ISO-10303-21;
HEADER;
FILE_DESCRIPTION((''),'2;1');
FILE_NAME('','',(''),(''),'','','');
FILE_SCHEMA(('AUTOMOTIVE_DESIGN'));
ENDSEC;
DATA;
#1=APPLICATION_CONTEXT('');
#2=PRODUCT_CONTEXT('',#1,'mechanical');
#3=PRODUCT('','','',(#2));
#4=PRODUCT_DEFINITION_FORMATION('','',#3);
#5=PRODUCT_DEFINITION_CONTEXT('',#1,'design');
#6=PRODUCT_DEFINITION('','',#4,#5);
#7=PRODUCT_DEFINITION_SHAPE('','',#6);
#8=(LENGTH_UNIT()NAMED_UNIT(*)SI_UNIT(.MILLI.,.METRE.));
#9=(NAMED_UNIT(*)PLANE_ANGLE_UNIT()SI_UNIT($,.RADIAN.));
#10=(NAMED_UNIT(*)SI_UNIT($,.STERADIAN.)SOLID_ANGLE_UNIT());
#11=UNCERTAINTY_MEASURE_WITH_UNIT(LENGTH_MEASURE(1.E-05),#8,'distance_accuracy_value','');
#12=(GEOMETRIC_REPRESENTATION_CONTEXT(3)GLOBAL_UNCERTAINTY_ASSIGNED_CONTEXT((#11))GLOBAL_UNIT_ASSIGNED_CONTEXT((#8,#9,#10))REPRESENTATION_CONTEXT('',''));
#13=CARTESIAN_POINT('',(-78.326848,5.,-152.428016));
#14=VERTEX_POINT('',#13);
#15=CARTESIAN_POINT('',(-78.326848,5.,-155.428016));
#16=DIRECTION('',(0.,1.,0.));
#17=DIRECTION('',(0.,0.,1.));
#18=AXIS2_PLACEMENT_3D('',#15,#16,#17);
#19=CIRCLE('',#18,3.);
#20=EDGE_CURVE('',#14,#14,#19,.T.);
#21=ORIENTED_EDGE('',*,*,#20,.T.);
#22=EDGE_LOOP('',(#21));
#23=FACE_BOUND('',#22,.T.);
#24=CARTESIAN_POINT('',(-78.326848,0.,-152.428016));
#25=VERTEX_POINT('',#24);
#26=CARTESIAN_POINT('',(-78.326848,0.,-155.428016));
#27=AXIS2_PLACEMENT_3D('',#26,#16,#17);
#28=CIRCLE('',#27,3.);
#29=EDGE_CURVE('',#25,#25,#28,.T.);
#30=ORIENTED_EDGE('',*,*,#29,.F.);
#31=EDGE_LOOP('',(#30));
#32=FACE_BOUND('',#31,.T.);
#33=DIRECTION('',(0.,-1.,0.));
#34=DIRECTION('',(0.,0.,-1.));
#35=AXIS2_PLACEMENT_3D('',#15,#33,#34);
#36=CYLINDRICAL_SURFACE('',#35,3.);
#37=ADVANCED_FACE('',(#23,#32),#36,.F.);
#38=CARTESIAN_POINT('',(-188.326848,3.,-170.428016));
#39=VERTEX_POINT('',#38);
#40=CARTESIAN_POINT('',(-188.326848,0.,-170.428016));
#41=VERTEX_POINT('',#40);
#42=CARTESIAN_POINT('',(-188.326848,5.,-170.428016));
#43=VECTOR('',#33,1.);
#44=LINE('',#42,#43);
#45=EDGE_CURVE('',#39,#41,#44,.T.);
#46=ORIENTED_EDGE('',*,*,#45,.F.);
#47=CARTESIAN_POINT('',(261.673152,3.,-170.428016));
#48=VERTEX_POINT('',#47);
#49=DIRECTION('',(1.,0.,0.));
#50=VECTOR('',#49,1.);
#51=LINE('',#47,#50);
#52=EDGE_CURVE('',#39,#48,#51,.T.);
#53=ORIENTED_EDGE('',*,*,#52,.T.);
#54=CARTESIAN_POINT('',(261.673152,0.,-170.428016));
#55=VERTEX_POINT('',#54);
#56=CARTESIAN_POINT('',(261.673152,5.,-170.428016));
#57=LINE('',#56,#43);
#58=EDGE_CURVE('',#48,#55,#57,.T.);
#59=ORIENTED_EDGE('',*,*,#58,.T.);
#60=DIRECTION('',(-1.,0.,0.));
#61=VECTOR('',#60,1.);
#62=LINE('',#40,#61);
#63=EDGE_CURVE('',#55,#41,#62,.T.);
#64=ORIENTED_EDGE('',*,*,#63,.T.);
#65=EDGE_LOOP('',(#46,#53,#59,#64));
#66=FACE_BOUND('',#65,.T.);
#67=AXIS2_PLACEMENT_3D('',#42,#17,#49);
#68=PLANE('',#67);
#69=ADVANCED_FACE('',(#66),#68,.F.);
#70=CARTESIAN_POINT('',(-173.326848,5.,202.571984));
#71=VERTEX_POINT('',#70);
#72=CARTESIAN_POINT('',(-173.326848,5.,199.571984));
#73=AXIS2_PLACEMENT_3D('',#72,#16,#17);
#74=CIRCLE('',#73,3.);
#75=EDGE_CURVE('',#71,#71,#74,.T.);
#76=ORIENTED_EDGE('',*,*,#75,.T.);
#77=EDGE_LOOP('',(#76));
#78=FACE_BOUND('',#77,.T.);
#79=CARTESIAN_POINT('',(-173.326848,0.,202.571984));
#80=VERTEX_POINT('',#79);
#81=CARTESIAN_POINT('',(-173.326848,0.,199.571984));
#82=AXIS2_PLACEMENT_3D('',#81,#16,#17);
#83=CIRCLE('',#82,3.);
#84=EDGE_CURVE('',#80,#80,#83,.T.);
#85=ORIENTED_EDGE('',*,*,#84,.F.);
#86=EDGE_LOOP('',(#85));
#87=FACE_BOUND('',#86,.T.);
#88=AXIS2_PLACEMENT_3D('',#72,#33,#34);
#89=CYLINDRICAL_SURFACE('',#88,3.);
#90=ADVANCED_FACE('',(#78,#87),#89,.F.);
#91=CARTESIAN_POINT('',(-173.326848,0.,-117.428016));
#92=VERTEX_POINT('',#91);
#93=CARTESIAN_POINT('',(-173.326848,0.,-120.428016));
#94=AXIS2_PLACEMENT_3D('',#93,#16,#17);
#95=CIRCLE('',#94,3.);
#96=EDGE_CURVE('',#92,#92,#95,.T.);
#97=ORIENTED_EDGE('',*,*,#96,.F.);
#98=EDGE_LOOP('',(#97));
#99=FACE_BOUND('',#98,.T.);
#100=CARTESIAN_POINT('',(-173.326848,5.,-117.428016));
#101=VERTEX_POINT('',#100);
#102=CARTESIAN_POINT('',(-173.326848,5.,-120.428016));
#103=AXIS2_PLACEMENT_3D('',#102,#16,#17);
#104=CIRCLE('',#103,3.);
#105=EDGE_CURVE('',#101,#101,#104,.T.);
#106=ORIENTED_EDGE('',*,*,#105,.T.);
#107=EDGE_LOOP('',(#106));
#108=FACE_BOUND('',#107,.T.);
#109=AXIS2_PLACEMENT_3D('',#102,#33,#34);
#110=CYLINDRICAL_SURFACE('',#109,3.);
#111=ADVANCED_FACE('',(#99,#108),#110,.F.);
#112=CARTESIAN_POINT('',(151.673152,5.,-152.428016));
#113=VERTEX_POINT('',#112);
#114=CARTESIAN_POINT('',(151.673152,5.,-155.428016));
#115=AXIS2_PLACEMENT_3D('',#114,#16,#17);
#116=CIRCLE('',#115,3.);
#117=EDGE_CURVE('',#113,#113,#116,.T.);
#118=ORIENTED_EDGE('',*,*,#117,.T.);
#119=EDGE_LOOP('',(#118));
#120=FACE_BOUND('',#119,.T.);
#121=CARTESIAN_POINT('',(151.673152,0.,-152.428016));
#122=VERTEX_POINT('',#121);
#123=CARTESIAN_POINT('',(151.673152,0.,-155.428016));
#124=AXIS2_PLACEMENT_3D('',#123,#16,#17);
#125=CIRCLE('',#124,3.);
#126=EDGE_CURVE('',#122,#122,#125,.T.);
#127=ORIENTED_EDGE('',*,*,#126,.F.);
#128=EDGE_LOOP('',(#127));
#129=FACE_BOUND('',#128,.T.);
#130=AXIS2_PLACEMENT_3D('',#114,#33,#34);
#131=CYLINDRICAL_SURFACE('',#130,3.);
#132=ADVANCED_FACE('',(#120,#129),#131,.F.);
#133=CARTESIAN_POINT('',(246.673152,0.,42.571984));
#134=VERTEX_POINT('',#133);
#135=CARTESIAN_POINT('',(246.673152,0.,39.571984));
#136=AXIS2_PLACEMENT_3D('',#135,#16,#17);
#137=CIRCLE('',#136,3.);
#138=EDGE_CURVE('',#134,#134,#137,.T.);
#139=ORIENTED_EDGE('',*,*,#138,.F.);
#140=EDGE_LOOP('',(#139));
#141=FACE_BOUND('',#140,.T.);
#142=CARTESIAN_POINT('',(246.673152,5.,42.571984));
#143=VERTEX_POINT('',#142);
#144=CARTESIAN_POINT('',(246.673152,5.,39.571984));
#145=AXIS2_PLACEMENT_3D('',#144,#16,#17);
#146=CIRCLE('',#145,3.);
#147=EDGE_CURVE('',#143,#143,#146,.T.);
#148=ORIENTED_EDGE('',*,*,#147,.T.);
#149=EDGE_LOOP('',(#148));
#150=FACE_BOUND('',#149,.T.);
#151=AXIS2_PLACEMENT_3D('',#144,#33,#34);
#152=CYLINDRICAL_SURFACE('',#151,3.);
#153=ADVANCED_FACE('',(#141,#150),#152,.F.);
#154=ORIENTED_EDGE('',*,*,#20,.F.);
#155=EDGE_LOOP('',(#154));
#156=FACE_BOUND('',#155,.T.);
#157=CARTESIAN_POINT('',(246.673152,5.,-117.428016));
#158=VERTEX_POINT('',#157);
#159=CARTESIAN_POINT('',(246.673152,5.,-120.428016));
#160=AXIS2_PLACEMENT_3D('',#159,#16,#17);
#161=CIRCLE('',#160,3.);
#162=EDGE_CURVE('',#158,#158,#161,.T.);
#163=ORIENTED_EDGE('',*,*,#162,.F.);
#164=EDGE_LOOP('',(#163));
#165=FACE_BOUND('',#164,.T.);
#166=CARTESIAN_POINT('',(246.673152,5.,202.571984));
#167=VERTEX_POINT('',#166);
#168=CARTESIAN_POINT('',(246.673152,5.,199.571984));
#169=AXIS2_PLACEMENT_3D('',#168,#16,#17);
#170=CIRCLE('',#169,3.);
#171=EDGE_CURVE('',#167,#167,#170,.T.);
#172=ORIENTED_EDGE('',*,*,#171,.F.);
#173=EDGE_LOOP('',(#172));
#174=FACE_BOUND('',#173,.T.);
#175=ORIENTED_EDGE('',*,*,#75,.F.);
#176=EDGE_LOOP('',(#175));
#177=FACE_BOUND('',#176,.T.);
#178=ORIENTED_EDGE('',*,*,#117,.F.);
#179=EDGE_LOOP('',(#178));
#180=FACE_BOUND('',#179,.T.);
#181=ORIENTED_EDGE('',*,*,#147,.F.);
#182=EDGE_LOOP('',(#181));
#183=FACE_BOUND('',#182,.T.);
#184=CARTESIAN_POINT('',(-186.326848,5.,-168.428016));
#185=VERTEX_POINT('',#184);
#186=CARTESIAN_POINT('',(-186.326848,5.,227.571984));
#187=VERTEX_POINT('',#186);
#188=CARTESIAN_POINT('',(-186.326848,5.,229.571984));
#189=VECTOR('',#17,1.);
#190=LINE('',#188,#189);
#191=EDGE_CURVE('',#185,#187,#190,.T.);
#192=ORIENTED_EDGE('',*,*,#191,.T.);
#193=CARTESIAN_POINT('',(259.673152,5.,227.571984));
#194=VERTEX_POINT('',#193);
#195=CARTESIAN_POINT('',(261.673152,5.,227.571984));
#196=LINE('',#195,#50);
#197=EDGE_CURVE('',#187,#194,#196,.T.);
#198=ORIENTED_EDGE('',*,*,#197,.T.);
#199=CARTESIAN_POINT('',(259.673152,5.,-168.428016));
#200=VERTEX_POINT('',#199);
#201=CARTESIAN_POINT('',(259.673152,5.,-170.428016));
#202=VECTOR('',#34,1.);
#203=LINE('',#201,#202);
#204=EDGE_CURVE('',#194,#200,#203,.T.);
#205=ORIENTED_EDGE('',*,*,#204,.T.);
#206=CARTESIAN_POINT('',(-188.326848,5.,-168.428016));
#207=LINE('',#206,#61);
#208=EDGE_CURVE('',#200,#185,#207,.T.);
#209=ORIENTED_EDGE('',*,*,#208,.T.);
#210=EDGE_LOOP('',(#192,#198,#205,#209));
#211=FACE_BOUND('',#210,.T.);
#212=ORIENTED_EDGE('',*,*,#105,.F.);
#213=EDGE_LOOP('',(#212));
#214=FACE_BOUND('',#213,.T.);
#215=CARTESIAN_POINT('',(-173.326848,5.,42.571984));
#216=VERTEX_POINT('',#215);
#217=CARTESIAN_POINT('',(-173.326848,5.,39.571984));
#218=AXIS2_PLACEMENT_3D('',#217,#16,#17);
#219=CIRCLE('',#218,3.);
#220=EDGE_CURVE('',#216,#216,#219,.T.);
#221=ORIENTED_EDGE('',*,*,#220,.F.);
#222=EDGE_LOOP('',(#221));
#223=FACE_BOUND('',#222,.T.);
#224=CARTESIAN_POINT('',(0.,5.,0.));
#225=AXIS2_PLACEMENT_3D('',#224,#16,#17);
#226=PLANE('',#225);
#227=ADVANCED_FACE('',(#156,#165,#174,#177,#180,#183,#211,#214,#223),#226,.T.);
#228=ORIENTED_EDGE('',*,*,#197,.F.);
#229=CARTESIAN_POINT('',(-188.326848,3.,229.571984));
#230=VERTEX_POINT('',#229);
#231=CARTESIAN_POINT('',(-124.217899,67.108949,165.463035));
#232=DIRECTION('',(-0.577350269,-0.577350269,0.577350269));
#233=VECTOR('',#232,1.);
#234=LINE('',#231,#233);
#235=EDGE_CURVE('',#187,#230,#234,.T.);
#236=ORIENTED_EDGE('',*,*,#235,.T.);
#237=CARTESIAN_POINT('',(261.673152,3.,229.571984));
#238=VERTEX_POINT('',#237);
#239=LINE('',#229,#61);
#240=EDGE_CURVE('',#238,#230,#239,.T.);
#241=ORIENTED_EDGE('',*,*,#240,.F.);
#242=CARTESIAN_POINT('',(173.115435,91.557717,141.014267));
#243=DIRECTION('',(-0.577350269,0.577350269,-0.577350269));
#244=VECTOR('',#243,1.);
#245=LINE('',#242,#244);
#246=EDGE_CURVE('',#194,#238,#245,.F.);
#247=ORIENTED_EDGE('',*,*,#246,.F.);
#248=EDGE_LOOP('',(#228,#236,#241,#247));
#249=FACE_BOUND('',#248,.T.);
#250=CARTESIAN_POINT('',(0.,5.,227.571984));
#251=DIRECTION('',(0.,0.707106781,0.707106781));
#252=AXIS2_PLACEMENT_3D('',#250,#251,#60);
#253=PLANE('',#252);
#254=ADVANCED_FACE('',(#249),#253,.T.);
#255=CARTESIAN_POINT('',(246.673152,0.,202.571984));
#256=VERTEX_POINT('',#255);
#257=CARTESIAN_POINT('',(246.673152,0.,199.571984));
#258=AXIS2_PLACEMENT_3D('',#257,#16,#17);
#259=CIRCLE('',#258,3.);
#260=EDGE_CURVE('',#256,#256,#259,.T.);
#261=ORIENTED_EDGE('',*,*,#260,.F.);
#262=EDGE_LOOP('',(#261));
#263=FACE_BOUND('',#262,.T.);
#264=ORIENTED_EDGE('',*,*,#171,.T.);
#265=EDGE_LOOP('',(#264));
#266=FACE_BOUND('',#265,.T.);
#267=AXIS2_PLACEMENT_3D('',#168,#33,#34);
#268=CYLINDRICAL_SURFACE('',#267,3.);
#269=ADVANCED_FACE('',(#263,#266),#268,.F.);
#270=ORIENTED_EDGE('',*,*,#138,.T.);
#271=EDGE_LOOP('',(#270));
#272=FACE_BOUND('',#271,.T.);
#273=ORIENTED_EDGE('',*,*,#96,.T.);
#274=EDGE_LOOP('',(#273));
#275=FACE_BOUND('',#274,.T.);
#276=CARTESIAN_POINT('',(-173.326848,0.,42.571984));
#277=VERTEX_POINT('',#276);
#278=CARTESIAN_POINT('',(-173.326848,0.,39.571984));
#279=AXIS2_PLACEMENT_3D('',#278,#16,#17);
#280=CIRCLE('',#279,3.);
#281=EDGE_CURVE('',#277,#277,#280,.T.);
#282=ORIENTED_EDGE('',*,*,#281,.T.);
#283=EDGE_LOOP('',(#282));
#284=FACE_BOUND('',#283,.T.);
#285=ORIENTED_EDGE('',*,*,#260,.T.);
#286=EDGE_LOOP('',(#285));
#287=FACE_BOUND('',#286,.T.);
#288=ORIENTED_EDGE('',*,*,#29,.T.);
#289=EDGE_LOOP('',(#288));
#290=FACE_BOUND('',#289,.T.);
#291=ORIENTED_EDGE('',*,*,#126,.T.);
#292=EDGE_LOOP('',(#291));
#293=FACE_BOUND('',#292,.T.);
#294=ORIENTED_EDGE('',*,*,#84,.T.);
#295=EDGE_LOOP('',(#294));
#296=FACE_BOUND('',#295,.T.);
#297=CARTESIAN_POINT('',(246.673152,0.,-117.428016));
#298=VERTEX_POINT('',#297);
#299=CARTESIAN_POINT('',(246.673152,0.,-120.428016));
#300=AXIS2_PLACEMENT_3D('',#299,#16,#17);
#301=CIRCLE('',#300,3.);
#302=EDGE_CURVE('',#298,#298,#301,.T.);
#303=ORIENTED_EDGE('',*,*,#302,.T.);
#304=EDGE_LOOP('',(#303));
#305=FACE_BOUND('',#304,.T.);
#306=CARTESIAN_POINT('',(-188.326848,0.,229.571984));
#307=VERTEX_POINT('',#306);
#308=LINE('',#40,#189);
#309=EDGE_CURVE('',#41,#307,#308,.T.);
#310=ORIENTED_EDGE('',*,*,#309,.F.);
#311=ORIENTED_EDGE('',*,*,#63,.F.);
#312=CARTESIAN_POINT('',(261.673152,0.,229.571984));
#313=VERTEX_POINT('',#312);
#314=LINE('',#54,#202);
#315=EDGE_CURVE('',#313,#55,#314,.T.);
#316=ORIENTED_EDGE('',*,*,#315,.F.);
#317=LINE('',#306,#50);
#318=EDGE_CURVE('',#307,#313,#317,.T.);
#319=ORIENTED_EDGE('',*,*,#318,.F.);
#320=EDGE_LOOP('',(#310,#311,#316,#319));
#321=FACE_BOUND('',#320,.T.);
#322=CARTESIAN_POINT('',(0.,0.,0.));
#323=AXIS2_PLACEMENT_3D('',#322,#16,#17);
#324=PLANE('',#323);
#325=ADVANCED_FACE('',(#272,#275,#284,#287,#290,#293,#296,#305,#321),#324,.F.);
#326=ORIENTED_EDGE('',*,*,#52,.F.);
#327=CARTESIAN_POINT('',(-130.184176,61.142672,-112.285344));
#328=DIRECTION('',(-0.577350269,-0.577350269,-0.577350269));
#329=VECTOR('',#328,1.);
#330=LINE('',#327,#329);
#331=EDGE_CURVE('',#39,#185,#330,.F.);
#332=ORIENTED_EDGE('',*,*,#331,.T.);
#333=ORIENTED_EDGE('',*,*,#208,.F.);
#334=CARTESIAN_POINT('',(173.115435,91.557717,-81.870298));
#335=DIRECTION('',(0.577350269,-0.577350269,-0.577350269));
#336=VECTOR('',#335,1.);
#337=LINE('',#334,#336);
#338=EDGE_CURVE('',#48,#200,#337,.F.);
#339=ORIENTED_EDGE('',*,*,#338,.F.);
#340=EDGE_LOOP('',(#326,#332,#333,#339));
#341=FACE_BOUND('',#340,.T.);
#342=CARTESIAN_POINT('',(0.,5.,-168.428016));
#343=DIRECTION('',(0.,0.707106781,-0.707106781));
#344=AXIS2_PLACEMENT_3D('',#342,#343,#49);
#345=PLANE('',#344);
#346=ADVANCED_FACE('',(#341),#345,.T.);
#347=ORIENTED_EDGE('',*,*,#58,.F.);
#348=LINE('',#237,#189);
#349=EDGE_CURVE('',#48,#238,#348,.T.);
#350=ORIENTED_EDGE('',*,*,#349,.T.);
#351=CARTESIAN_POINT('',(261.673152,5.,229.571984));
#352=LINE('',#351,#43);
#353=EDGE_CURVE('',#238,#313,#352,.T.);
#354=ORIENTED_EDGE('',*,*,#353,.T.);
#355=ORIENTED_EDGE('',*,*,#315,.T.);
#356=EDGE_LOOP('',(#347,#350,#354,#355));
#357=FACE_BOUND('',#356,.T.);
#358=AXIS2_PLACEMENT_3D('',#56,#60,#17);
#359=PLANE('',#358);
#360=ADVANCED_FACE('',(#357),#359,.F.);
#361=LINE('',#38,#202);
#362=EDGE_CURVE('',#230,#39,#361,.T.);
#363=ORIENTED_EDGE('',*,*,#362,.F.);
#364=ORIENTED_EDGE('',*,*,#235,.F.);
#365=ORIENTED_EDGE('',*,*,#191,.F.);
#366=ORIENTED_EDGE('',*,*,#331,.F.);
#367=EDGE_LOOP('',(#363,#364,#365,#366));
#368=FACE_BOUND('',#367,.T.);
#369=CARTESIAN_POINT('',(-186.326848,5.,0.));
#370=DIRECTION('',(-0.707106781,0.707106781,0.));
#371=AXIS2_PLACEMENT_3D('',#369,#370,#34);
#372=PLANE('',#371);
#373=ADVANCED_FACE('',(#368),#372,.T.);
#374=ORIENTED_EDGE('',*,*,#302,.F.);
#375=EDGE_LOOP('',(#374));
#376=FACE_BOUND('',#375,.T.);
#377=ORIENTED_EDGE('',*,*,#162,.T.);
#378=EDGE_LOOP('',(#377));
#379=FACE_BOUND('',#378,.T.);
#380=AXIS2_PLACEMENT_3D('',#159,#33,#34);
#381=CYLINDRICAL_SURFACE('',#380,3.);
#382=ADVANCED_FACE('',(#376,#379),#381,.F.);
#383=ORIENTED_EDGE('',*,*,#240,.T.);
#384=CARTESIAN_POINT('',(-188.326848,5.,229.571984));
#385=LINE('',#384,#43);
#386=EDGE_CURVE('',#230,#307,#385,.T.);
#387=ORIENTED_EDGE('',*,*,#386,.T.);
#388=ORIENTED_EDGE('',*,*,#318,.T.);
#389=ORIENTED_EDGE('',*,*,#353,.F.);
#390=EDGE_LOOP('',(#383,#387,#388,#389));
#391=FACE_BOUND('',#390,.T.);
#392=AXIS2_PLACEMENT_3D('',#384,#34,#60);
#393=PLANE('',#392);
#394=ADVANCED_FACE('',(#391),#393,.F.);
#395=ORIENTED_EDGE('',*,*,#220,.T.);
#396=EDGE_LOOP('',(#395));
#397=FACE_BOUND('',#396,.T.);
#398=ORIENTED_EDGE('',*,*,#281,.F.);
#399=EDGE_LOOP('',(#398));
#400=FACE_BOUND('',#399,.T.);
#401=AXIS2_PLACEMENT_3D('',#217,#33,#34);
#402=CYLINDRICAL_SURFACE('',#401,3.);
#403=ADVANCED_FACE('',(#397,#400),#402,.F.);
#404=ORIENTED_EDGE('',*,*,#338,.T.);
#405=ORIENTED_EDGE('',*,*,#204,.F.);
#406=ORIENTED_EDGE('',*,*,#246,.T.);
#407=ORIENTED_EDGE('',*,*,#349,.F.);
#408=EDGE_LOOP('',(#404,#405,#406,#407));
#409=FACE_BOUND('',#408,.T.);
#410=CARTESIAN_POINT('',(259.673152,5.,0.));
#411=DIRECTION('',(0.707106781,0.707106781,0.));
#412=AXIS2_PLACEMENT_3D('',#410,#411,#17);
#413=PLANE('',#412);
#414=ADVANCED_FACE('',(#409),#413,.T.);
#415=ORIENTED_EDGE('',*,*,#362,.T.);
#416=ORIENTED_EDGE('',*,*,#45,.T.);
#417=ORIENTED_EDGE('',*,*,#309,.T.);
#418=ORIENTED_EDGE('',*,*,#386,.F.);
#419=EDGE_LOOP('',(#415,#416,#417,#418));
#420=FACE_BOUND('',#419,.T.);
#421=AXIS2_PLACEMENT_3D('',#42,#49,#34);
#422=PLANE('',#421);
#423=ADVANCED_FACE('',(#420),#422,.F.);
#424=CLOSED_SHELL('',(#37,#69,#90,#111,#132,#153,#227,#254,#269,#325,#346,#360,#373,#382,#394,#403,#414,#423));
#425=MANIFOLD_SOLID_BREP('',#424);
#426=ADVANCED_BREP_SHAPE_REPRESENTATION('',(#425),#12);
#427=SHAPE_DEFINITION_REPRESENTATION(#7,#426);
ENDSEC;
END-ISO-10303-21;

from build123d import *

# Parameters (mm, degrees)
CROQUIS1_W              = 450
CROQUIS1_H              = 400
CROQUIS1_R              = 3
SALIENTE_EXTRUIR1_DEPTH = 5
CHAFL_N1_SIZE           = 2


with BuildPart() as part:
    # Croquis1 → Saliente-Extruir1 (new body)
    with BuildSketch(Plane(origin=(0, 0, 0), x_dir=(1, 0, 0), z_dir=(0, 1, 0))):
        with Locations((36.673151751, -29.571984436)):
            Rectangle(CROQUIS1_W, CROQUIS1_H)
        with Locations(Location((-173.326848249, 120.428015564, 0), (0, 0, 270))):
            Circle(CROQUIS1_R, mode=Mode.SUBTRACT)
        with Locations(Location((-173.326848249, -199.571984436, 0), (0, 0, 270))):
            Circle(CROQUIS1_R, mode=Mode.SUBTRACT)
        with Locations(Location((246.673151751, -199.571984436, 0), (0, 0, 270))):
            Circle(CROQUIS1_R, mode=Mode.SUBTRACT)
        with Locations(Location((246.673151751, 120.428015564, 0), (0, 0, 270))):
            Circle(CROQUIS1_R, mode=Mode.SUBTRACT)
        with Locations(Location((-173.326848249, -39.571984436, 0), (0, 0, 270))):
            Circle(CROQUIS1_R, mode=Mode.SUBTRACT)
        with Locations(Location((246.673151751, -39.571984436, 0), (0, 0, 270))):
            Circle(CROQUIS1_R, mode=Mode.SUBTRACT)
        with Locations(Location((-78.326848249, 155.428015564, 0), (0, 0, 270))):
            Circle(CROQUIS1_R, mode=Mode.SUBTRACT)
        with Locations(Location((151.673151751, 155.428015564, 0), (0, 0, 270))):
            Circle(CROQUIS1_R, mode=Mode.SUBTRACT)
    extrude(amount=SALIENTE_EXTRUIR1_DEPTH)

    # Chaflán1
    chafl_n1_edges = [part.edges().sort_by_distance(p)[0] for p in [
        (261.673151751, 5, 29.571984436),
        (36.673151751, 5, -170.428015564),
        (-188.326848249, 5, 29.571984436),
        (36.673151751, 5, 229.571984436),
    ]]
    chamfer(chafl_n1_edges, length=CHAFL_N1_SIZE)


solid = part.part
